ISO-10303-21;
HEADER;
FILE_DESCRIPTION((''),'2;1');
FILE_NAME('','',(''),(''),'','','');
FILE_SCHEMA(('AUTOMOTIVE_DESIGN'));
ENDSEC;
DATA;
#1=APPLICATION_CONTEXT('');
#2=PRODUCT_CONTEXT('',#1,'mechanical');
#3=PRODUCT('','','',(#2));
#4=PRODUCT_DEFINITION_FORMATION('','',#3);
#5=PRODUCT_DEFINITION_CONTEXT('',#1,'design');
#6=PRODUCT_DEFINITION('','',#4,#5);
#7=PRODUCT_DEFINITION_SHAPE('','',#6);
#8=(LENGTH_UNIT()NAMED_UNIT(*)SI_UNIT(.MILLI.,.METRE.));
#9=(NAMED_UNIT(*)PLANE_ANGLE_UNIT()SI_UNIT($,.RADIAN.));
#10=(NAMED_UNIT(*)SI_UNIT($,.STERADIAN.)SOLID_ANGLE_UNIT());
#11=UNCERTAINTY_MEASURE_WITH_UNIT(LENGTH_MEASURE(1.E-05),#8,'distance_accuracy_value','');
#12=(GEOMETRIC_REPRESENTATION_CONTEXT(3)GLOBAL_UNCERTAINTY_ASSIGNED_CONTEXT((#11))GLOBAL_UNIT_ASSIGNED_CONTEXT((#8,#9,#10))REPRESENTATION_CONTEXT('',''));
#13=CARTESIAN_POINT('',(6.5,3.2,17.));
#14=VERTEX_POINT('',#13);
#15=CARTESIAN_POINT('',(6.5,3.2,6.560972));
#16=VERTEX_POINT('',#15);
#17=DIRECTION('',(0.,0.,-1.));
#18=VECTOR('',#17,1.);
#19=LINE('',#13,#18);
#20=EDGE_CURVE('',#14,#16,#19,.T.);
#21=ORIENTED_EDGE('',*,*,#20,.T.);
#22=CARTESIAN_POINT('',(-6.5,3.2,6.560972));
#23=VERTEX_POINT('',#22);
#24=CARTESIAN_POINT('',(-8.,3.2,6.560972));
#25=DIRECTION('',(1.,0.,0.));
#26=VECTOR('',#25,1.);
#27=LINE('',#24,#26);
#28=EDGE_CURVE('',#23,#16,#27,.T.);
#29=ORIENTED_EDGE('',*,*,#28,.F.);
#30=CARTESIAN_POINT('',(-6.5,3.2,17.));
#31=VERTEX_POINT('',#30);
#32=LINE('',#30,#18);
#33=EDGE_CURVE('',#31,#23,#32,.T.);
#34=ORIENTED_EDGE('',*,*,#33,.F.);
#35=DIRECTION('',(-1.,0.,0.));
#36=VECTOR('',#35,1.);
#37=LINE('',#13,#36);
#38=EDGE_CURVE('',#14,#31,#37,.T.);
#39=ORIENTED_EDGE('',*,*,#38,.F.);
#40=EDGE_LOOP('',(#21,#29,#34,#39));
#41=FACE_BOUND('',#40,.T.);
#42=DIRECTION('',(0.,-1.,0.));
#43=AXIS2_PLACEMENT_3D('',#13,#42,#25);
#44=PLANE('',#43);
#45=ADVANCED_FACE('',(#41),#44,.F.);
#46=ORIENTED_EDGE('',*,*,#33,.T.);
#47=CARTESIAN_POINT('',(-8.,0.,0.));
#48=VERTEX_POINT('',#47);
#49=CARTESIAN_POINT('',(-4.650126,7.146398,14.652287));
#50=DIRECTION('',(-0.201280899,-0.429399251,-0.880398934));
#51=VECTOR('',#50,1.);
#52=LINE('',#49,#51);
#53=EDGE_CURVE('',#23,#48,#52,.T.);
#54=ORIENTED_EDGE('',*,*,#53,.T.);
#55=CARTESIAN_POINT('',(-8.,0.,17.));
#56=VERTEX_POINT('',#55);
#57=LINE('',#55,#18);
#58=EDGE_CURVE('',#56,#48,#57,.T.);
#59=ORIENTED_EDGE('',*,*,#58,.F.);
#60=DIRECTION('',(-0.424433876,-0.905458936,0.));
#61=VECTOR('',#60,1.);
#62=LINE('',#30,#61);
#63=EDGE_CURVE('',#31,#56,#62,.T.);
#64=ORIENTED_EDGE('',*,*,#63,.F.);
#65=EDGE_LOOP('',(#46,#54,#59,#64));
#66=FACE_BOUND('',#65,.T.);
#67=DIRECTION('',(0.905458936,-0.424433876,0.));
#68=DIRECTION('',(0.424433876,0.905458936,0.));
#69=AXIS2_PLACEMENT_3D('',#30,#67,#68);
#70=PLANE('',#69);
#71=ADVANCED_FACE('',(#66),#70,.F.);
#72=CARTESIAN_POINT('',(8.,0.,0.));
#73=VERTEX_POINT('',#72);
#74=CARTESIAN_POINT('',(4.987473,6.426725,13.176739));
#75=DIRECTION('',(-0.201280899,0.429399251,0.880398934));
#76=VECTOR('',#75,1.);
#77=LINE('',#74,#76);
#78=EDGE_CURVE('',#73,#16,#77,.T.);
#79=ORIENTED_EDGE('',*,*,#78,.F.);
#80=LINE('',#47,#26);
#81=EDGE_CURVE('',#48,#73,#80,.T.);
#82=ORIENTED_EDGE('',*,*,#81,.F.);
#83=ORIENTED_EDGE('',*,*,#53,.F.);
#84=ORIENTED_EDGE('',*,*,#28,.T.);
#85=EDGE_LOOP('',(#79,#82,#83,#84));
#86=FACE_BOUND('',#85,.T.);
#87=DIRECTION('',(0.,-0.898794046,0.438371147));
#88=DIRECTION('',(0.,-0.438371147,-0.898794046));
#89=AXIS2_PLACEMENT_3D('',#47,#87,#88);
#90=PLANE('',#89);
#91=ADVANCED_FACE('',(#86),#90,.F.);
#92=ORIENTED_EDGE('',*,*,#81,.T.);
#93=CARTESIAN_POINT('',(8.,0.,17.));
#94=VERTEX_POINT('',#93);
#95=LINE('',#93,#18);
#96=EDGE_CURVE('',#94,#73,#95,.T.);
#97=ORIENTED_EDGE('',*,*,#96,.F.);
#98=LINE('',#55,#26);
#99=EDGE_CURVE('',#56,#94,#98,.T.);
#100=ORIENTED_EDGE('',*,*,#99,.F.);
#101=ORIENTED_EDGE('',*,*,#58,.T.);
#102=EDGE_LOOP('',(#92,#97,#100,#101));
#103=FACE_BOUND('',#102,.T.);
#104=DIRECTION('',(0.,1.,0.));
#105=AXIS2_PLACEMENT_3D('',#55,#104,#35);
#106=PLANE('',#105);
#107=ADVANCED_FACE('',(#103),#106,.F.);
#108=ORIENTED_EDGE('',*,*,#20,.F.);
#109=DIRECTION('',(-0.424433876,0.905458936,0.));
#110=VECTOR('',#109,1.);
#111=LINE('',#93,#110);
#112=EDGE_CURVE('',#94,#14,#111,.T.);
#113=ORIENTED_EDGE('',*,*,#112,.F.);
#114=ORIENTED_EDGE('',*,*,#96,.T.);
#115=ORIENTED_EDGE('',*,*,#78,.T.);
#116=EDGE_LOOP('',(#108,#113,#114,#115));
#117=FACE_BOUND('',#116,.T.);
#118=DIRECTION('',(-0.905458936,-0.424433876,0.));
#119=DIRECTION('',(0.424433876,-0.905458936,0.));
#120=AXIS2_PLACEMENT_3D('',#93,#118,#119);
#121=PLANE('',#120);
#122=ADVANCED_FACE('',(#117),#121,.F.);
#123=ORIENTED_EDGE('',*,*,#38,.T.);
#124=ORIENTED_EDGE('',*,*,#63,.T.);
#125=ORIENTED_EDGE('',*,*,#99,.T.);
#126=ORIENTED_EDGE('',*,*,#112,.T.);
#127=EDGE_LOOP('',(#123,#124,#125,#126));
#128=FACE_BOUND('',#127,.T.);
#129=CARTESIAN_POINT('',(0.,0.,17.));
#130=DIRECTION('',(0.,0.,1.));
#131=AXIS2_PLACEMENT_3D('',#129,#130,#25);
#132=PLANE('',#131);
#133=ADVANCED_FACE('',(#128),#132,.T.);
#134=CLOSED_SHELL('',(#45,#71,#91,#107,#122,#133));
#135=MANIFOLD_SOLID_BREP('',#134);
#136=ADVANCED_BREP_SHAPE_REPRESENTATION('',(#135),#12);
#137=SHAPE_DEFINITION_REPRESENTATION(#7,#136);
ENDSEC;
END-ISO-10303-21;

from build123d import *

# Parameters (mm, degrees)
BOSS_EXTRUDE1_DEPTH     = 17
CUT_EXTRUDE1_DEPTH      = 20.058856209
CUT_EXTRUDE1_DEPTH_BACK = 20.058856209


with BuildPart() as part:
    # Sketch1 → Boss-Extrude1 (new body)
    with BuildSketch(Plane.XY):
        Polygon((-6.5, 3.2), (-8, 0), (8, 0), (6.5, 3.2), align=None)
    extrude(amount=BOSS_EXTRUDE1_DEPTH)

    # Sketch2 → Cut-Extrude1 (cut, two sides: drawn at the far end of the back side and taken through both)
    with BuildSketch(Plane(origin=(0, 0, 0), x_dir=(0, 0, -1), z_dir=(1, 0, 0)).offset(-CUT_EXTRUDE1_DEPTH_BACK)):
        Polygon((0, 0), (-6.560972293, 3.2), (0, 3.2), align=None)
    extrude(amount=CUT_EXTRUDE1_DEPTH + CUT_EXTRUDE1_DEPTH_BACK, mode=Mode.SUBTRACT)


solid = part.part
